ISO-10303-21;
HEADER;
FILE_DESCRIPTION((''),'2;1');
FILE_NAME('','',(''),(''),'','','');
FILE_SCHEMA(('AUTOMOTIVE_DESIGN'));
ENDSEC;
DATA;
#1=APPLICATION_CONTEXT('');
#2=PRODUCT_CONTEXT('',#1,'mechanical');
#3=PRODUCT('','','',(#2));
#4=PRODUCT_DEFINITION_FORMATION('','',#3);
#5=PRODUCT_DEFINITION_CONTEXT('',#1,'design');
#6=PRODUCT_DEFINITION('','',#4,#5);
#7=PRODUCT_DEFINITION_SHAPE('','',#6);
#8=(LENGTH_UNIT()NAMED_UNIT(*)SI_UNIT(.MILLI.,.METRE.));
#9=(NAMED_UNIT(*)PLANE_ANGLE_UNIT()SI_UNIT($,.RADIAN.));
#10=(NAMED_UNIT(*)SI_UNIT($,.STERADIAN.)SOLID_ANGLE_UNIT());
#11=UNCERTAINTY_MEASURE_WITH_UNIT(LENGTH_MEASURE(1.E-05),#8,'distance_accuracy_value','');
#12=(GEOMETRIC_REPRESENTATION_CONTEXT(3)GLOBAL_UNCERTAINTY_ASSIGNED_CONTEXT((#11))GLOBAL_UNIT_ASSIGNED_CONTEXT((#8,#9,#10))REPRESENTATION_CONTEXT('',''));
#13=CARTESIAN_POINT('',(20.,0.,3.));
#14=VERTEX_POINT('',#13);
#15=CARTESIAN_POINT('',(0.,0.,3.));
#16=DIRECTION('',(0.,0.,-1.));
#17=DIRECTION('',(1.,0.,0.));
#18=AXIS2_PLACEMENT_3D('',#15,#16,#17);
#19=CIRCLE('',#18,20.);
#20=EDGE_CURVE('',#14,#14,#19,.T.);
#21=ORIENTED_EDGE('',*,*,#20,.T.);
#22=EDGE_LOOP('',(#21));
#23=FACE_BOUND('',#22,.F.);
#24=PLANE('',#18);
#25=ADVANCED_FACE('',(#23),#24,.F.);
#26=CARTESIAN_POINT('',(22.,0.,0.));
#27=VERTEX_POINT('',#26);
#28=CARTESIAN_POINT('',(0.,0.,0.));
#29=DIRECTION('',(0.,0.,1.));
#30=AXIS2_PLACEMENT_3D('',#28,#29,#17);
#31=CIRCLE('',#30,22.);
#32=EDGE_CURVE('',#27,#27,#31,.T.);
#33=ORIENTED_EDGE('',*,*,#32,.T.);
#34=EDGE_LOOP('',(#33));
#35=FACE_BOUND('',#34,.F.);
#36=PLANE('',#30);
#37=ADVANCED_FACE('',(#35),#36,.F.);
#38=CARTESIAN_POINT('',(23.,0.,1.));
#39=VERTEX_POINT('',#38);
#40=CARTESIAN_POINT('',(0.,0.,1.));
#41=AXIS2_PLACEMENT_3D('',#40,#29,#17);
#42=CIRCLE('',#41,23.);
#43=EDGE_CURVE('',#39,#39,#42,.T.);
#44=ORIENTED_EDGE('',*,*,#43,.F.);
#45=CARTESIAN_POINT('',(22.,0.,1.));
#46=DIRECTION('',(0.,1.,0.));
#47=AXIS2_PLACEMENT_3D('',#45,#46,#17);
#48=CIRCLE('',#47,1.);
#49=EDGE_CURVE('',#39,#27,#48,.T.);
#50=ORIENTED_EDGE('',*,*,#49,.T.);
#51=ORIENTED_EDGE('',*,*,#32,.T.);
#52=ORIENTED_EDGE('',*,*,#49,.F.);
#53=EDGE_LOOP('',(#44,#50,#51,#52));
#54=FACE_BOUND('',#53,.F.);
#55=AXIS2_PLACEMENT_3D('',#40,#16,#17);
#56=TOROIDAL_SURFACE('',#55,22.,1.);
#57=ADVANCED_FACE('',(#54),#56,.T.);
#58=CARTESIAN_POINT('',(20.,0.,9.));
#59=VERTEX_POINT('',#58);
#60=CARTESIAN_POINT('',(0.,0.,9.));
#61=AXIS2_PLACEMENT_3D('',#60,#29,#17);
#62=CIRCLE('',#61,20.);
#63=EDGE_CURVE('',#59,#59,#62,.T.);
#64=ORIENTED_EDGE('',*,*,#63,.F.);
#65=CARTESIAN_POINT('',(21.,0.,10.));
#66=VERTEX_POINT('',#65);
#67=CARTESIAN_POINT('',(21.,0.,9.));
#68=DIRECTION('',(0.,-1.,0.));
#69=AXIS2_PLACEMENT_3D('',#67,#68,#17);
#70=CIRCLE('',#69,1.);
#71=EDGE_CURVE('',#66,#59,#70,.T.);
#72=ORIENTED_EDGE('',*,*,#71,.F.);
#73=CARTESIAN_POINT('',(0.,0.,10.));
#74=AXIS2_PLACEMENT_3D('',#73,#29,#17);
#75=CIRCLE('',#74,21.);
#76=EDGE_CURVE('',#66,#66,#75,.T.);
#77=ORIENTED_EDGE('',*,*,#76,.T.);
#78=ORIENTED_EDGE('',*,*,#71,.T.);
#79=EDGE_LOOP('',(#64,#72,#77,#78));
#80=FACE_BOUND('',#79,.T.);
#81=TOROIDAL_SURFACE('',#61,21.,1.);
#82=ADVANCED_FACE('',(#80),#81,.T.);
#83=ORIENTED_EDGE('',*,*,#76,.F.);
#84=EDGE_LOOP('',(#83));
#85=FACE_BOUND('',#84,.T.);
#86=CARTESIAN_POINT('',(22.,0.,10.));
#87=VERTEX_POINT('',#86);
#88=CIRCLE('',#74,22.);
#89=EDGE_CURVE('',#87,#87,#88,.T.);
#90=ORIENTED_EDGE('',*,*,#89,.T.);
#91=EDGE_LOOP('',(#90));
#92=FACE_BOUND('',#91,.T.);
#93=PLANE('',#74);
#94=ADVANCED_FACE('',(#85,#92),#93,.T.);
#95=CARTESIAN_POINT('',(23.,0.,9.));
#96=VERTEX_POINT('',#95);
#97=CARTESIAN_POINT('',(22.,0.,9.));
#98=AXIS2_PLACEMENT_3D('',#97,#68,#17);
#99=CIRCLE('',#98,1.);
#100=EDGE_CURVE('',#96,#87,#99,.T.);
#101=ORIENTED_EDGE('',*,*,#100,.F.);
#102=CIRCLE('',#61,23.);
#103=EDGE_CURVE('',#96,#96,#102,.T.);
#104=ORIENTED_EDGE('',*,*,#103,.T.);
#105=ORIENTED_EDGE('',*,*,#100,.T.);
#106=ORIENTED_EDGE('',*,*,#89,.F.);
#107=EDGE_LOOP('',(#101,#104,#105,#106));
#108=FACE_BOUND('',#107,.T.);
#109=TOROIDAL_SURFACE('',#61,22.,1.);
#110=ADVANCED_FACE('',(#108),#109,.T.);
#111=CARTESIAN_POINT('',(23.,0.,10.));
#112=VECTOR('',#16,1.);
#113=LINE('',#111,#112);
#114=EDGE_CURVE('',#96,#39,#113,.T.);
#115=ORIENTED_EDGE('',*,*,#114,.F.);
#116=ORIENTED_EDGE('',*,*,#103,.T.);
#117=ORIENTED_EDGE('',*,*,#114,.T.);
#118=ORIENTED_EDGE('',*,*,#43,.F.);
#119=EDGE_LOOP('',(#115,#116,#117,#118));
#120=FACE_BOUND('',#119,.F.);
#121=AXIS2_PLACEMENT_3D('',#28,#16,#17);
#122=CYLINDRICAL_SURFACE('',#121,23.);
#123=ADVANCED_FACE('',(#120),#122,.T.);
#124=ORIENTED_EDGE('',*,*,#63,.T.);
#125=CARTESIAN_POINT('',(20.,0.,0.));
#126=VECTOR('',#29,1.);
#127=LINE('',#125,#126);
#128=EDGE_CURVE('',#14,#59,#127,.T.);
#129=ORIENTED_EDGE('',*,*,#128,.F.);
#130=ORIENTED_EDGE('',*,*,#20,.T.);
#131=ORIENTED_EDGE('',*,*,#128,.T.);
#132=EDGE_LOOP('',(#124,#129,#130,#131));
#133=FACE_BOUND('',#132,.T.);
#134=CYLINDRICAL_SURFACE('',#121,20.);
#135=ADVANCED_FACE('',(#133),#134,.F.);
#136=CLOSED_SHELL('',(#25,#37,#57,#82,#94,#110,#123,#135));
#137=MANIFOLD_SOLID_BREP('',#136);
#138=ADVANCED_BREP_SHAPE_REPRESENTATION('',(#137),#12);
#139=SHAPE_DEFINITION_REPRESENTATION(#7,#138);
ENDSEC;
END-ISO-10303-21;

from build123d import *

# Parameters (mm, degrees)
F0_R     = 23
F0_R_2   = 20
F1_DEPTH = 10
F2_R     = 23
F3_DEPTH = 3
F4_R     = 1
F5_R     = 1
F6_R     = 1


with BuildPart() as f1:
    # F0 (on Top) → F1 (new body)
    with BuildSketch(Plane.XY):
        Circle(F0_R)
        Circle(F0_R_2, mode=Mode.SUBTRACT)
    extrude(amount=F1_DEPTH)

    # F2 (on face) → F3 (join)
    with BuildSketch(Plane(origin=(0, 0, 0), x_dir=(1, 0, 0), z_dir=(0, 0, -1))):
        Circle(F2_R)
    extrude(amount=-F3_DEPTH)

    # F4
    f4_edges = [f1.edges().sort_by_distance(p)[0] for p in [
        (-23, 0, 10),
    ]]
    fillet(f4_edges, radius=F4_R)

    # F5
    f5_edges = [f1.edges().sort_by_distance(p)[0] for p in [
        (-20, 0, 10),
    ]]
    fillet(f5_edges, radius=F5_R)

    # F6
    f6_edges = [f1.edges().sort_by_distance(p)[0] for p in [
        (-23, 0, 0),
    ]]
    fillet(f6_edges, radius=F6_R)


solid = f1.part
